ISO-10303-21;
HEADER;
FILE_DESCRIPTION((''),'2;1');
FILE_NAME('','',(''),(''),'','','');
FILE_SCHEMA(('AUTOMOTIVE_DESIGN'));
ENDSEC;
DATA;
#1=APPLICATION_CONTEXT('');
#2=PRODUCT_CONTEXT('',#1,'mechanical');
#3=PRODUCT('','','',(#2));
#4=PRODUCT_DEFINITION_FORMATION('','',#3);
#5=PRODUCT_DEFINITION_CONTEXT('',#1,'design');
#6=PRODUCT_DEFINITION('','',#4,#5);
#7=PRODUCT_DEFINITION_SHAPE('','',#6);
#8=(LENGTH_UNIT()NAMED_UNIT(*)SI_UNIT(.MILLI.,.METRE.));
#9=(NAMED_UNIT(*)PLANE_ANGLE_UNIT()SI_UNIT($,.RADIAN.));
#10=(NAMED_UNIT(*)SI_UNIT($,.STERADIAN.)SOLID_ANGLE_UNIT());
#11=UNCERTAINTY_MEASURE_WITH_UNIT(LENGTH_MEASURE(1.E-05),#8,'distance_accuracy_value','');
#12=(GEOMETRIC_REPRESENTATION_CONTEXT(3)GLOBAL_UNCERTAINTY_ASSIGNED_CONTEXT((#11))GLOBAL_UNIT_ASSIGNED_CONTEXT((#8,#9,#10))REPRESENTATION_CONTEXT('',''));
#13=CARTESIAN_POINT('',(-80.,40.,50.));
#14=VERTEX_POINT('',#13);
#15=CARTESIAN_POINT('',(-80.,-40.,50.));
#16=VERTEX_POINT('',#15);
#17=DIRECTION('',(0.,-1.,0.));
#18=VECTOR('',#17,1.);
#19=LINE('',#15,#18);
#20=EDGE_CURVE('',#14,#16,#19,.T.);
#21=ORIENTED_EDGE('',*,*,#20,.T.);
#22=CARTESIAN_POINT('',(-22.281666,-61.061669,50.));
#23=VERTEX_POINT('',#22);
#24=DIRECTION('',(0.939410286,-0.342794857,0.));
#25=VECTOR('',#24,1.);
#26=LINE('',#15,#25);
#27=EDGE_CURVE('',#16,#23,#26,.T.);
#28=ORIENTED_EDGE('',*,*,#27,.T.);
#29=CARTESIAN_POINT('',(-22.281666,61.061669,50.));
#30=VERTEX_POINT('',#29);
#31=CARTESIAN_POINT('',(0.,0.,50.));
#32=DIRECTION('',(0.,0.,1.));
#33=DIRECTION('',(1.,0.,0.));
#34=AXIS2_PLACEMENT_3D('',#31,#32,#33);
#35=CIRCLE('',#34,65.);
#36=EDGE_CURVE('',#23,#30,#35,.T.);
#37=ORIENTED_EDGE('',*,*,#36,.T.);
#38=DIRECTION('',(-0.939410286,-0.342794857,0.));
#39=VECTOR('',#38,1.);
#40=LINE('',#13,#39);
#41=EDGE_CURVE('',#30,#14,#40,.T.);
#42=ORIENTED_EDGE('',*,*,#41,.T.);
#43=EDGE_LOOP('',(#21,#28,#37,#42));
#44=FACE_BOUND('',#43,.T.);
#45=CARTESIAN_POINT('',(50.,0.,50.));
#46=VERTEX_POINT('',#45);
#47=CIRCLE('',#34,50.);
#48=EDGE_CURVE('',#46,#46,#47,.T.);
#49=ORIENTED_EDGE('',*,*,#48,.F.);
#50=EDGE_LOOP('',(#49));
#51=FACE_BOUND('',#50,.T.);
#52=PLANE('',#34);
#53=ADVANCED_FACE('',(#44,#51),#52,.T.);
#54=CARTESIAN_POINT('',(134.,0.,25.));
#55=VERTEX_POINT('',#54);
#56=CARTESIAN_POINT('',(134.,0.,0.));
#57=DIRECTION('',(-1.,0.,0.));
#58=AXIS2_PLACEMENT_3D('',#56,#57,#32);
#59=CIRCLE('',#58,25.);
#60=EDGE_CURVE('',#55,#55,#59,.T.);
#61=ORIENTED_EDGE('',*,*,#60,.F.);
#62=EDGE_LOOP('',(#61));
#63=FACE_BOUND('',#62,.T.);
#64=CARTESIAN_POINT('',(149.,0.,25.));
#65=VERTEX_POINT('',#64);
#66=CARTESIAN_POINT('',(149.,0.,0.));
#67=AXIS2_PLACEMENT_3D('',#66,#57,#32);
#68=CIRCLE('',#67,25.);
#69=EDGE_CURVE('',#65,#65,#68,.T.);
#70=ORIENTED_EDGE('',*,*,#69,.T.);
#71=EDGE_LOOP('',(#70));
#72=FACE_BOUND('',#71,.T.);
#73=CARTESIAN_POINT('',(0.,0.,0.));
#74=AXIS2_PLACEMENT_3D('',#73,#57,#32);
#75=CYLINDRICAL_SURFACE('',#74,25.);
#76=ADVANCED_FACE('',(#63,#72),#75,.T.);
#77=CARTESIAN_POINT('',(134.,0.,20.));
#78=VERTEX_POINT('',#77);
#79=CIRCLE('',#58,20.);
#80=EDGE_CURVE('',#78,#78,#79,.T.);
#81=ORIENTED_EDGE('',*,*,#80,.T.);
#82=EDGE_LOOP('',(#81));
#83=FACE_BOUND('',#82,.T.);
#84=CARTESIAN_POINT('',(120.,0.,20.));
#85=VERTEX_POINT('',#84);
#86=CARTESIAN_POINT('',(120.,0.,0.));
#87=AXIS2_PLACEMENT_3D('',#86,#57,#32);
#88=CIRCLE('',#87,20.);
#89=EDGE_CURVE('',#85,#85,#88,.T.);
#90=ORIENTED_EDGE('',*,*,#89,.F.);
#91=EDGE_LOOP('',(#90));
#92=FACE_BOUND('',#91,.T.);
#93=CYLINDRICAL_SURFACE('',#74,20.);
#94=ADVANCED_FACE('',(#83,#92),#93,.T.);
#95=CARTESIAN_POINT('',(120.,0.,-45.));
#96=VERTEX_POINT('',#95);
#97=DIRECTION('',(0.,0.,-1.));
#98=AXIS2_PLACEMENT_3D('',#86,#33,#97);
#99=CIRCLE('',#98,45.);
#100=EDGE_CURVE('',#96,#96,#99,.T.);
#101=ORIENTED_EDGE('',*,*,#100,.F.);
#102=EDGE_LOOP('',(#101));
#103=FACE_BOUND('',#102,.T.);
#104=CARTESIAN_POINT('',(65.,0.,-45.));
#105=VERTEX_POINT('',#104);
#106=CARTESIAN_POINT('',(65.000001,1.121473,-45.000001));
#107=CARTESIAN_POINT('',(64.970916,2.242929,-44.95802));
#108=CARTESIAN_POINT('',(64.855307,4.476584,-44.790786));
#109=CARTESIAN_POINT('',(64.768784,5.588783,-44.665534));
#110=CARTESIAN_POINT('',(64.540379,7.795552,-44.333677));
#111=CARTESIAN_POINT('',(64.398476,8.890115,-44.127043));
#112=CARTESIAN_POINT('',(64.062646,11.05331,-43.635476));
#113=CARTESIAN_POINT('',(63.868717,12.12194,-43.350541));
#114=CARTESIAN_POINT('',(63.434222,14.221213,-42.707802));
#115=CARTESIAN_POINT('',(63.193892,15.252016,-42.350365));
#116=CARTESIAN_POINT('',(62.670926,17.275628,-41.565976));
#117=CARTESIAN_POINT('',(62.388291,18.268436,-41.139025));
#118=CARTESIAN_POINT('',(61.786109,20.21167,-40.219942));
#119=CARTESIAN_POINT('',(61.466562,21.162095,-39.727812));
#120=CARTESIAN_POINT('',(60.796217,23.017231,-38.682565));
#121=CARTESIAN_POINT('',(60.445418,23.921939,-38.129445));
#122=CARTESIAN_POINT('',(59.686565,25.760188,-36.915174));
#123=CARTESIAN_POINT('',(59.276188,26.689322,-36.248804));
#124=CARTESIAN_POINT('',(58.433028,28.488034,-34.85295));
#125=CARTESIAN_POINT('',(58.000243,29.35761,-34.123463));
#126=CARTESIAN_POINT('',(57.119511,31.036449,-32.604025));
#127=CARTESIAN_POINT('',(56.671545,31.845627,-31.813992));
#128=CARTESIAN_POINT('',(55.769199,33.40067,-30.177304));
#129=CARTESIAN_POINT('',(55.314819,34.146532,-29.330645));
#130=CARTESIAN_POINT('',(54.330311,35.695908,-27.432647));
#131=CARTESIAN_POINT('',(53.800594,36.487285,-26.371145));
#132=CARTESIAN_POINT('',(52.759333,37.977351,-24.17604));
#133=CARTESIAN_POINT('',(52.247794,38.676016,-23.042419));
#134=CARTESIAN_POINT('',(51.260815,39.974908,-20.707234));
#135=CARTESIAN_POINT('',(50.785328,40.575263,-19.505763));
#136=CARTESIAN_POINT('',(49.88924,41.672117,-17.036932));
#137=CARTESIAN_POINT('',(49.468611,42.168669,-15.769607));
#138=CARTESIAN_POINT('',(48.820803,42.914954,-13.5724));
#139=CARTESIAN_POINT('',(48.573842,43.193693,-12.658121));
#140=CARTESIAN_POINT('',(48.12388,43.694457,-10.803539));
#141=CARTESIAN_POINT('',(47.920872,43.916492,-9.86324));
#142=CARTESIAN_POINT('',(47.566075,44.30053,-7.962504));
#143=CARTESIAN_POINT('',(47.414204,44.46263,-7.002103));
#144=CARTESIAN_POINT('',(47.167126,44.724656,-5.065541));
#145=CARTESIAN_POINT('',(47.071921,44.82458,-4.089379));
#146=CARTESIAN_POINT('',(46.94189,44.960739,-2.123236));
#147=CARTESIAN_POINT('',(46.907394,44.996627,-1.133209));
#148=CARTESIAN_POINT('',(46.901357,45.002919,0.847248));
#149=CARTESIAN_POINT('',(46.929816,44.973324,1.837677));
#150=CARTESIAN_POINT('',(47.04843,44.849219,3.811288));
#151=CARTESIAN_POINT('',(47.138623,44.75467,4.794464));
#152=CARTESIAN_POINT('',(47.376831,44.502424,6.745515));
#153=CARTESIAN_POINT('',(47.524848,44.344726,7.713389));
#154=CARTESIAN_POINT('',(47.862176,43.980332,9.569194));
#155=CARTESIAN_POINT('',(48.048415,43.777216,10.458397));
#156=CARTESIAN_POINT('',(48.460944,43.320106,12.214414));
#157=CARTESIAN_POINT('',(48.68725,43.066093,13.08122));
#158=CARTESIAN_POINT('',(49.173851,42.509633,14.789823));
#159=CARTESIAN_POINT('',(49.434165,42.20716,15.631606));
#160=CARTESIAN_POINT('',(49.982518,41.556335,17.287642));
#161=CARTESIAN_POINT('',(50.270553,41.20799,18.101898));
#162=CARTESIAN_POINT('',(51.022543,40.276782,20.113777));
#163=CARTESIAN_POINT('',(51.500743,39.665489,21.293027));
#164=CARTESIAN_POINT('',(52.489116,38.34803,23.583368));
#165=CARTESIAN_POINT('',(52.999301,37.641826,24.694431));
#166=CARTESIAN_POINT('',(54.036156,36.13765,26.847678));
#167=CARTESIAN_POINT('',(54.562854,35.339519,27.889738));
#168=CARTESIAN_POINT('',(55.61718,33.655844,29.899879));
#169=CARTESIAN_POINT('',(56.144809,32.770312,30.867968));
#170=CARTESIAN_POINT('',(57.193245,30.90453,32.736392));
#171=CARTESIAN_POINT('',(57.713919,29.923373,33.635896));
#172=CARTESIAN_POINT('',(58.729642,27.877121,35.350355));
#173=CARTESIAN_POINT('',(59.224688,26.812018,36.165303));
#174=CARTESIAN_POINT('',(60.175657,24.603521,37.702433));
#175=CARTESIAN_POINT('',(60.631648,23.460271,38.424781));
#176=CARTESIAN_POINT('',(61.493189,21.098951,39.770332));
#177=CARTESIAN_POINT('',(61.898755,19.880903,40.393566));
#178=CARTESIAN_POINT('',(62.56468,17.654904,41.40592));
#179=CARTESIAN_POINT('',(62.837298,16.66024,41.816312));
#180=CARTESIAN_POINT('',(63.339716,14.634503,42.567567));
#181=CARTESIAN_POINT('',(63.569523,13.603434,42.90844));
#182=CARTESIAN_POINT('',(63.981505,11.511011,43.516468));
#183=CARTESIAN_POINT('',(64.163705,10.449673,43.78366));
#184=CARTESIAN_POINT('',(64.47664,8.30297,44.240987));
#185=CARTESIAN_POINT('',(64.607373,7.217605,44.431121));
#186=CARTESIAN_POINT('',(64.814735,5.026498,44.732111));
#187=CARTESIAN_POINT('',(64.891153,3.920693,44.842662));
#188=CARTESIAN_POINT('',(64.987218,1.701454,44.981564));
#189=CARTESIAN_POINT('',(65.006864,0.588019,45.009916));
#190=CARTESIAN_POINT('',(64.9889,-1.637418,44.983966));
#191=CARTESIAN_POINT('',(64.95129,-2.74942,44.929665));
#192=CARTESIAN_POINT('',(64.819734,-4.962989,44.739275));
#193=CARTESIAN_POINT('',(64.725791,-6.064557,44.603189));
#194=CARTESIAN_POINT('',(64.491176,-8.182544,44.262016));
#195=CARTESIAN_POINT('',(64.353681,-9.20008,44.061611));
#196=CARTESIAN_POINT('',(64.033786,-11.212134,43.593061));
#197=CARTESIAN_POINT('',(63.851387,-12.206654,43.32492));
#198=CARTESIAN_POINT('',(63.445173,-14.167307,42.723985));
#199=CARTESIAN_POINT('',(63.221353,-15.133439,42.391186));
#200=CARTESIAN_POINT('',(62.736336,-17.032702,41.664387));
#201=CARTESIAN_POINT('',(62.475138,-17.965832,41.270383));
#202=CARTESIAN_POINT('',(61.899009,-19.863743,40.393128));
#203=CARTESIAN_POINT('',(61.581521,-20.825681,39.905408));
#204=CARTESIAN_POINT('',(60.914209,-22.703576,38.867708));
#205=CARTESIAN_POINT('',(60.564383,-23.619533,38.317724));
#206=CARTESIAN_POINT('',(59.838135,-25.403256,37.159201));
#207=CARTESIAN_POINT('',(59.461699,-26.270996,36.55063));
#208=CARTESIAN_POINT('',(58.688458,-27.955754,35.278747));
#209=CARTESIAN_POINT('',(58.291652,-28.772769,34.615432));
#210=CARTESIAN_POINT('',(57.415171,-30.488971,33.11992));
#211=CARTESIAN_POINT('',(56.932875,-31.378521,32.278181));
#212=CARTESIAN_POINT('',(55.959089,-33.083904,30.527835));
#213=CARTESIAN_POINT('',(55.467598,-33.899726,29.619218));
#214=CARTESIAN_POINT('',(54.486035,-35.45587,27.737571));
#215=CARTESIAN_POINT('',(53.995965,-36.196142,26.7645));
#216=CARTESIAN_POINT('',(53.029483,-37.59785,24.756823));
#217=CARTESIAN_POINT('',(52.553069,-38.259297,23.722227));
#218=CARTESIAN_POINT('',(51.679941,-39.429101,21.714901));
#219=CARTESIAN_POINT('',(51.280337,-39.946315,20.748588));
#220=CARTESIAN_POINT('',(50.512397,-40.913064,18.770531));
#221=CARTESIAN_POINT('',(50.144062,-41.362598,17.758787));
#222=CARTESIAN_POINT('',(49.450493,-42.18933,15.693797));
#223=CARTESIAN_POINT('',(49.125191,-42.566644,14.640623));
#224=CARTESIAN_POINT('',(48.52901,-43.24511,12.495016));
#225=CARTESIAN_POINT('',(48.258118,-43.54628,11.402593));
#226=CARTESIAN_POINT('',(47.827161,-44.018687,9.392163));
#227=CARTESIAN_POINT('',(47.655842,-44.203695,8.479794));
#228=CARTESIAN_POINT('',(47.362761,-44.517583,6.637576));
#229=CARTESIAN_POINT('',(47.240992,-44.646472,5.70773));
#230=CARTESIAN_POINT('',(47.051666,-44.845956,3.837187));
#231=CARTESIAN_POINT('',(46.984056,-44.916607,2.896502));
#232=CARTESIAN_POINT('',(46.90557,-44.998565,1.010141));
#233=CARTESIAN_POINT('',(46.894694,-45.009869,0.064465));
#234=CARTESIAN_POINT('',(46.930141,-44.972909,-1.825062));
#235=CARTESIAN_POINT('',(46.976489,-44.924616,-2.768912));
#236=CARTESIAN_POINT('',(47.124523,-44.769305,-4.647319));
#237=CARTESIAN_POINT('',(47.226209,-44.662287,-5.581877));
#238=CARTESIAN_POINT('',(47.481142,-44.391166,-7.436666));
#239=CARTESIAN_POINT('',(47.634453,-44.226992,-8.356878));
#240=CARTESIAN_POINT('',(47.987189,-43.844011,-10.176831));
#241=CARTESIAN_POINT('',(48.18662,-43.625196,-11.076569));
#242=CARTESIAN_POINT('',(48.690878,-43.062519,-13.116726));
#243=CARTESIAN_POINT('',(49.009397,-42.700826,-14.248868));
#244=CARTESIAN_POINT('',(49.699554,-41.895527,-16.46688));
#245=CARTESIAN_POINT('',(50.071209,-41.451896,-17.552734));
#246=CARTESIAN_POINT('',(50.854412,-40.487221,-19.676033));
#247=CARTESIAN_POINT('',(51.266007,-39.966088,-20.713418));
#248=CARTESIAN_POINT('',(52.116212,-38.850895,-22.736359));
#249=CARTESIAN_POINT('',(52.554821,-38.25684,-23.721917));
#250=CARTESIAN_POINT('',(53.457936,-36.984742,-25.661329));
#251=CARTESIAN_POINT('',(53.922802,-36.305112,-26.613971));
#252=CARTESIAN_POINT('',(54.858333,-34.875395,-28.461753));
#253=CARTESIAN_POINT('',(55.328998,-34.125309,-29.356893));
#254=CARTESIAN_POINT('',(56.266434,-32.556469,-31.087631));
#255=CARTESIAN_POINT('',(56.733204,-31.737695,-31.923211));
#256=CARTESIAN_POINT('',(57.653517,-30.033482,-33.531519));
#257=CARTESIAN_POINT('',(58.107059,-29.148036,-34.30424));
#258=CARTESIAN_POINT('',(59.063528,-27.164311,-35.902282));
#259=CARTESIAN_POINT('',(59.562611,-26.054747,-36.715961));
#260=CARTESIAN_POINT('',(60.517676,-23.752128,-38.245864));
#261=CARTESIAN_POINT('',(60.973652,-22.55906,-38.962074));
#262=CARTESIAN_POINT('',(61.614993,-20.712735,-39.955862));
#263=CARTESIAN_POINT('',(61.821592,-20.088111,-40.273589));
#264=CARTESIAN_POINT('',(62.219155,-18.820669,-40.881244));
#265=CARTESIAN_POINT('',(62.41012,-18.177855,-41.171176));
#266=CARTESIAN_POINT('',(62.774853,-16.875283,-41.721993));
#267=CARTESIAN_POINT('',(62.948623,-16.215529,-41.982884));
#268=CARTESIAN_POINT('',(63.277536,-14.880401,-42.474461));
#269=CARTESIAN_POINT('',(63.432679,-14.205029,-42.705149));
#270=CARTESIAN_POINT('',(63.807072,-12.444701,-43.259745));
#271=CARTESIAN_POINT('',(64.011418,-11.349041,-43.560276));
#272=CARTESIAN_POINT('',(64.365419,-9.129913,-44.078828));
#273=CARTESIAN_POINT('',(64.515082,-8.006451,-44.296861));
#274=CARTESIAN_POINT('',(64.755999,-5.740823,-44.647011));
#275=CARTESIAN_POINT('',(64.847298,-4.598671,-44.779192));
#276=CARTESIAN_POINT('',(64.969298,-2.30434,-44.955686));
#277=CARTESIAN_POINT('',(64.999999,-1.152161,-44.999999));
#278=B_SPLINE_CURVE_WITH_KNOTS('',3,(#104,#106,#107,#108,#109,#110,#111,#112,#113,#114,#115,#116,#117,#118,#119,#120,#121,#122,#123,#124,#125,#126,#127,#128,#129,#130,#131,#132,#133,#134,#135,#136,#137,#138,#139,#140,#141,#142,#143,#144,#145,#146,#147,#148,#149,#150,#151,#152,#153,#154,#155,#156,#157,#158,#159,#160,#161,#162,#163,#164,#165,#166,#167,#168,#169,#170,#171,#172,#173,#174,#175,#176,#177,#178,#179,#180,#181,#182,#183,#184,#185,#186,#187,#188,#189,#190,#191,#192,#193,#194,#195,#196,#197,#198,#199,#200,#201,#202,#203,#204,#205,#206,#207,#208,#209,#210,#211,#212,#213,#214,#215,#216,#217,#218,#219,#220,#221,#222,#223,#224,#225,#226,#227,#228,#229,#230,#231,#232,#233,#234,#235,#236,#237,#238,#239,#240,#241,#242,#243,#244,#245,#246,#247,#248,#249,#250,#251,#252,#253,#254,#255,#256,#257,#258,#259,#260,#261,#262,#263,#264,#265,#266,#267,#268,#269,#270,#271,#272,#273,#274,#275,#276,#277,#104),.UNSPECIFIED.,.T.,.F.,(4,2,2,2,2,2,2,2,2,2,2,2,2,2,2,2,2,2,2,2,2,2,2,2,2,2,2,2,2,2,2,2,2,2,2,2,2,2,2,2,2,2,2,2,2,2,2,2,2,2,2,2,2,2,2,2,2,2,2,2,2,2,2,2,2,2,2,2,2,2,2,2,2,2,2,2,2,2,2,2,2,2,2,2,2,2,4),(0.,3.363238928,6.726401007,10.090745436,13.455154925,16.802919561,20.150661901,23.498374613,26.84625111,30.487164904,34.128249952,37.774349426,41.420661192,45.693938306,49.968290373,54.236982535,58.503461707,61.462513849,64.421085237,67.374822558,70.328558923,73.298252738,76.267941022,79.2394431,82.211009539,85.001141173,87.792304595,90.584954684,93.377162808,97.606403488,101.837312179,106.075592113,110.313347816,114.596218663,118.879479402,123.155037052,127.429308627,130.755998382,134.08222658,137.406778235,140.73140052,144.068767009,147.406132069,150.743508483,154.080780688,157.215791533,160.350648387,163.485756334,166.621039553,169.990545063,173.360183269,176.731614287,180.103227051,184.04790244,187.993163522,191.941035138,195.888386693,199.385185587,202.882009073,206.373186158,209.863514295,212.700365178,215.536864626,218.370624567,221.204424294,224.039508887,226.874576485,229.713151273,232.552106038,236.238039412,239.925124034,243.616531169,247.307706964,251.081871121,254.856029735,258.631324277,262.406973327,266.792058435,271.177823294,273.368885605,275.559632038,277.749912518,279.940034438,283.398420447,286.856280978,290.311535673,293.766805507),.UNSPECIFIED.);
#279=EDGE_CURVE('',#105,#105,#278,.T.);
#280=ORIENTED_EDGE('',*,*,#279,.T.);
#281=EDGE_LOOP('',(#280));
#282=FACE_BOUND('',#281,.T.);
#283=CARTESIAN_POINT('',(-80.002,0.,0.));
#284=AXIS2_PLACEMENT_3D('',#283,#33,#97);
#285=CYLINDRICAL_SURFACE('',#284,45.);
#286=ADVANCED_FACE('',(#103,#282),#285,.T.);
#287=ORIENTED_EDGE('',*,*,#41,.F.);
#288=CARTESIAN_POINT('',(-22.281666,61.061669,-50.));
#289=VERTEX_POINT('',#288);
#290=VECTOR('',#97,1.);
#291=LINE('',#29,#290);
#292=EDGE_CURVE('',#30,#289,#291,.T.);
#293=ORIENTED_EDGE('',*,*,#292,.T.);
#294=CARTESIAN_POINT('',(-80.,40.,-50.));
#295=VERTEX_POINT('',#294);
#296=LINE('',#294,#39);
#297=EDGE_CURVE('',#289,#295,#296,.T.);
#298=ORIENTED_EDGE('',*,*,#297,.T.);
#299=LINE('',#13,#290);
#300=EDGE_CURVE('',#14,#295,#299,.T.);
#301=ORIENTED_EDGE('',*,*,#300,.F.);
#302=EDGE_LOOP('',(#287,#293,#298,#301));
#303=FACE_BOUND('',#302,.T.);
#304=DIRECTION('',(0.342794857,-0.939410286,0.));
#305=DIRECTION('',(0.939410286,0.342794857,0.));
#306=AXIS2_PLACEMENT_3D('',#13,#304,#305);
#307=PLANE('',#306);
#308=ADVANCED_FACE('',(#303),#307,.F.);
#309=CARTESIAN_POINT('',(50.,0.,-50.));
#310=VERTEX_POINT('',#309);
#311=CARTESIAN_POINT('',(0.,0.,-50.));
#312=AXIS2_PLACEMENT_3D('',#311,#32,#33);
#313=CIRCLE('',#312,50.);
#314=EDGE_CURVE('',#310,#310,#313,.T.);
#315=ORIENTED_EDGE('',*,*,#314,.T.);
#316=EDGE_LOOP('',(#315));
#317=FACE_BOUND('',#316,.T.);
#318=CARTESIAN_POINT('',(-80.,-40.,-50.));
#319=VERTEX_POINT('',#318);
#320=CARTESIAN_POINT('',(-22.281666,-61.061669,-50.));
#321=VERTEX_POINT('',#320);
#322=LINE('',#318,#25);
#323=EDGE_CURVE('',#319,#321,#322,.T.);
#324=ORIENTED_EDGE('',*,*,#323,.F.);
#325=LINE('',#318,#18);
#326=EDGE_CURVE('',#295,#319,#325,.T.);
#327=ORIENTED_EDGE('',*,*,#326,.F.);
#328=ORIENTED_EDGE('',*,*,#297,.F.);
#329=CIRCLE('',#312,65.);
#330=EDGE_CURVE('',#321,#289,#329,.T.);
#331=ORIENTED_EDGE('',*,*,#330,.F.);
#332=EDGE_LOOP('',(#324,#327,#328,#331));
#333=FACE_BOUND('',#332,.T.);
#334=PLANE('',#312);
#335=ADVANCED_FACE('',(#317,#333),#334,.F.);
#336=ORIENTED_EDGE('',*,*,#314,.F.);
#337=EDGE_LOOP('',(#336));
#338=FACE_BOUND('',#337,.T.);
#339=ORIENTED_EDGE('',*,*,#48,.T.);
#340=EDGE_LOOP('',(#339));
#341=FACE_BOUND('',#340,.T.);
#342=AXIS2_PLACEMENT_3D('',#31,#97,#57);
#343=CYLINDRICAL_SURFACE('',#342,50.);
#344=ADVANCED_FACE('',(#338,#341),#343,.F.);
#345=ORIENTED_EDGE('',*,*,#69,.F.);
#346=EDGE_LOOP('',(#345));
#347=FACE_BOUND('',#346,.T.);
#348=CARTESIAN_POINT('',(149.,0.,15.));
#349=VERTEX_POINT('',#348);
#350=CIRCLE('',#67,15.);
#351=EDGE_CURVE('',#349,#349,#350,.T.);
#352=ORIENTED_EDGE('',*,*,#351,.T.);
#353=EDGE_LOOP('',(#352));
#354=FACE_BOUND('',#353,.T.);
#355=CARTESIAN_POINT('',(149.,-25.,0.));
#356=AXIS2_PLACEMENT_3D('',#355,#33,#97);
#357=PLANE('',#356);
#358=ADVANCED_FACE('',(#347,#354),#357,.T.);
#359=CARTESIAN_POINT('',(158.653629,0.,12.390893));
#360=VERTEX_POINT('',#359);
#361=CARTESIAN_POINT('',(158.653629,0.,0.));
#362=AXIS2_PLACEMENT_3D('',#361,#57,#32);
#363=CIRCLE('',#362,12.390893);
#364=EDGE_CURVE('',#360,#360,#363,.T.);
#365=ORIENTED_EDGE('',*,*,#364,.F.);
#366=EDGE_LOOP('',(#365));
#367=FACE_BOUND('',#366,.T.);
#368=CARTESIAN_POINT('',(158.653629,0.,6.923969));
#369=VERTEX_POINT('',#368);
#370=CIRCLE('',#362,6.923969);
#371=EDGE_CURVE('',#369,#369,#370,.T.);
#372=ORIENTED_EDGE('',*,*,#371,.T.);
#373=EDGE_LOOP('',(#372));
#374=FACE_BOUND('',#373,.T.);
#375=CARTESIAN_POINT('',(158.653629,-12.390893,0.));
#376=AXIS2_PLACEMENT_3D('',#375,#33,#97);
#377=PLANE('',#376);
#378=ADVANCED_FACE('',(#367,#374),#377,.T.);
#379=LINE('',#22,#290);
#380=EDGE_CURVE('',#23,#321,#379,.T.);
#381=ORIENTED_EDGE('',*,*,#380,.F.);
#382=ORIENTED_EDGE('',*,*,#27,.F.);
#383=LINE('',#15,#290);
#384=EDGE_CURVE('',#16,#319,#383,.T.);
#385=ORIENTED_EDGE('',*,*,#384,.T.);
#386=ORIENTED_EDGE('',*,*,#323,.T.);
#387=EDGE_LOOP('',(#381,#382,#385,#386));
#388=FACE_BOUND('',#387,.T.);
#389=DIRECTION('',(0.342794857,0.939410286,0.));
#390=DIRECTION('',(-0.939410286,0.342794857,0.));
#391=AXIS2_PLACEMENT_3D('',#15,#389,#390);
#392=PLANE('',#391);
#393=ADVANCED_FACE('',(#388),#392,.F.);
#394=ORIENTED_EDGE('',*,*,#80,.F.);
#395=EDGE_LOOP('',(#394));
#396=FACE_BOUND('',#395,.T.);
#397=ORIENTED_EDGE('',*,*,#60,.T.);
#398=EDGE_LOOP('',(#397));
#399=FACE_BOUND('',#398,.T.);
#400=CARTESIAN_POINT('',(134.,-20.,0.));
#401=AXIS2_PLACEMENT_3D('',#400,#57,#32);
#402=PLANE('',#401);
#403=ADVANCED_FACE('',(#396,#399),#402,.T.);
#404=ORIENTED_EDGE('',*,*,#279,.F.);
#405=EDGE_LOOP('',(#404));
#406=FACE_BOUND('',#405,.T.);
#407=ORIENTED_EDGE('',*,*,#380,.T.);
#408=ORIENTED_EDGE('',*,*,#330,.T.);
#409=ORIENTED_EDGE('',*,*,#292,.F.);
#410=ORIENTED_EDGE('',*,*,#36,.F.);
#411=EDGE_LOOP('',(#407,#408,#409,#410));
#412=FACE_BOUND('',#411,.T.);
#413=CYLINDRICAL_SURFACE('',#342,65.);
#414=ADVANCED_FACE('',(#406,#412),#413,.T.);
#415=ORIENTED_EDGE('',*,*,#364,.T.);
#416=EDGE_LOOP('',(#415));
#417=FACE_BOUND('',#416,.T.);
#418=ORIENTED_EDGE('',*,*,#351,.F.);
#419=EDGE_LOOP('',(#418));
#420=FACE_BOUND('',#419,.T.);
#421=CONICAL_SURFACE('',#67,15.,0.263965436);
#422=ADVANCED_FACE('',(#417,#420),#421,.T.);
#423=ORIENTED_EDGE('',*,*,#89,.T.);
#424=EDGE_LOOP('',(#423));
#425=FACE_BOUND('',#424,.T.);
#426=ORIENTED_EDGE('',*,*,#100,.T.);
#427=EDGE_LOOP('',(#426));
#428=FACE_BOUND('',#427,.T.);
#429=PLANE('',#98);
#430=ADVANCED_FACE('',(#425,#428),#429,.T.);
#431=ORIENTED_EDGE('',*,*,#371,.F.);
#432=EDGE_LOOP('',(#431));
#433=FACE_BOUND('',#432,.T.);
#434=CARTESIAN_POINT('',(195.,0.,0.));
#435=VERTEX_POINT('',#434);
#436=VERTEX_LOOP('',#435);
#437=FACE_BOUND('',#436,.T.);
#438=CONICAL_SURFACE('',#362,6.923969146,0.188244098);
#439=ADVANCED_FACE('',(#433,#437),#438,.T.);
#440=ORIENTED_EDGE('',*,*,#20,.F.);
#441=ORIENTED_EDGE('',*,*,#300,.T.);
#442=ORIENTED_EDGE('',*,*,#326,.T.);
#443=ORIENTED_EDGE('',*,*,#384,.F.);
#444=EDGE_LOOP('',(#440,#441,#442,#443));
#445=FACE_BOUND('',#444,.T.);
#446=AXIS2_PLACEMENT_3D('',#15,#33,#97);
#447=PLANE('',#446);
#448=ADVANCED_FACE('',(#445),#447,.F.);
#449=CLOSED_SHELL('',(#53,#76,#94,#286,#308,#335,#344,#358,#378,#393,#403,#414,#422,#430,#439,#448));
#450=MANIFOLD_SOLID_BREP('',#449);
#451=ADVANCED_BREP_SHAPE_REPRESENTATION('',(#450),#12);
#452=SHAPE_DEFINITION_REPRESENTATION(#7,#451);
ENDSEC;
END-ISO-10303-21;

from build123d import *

# Parameters (mm, degrees)
SKETCH1_R           = 50
BOSS_EXTRUDE1_DEPTH = 50
BOSS_EXTRUDE2_REACH = 202
SKETCH2_R           = 45


with BuildPart() as part:
    # Sketch1 → Boss-Extrude1 (new body, symmetric)
    with BuildSketch(Plane.XY):
        with BuildLine():
            Line((-80, -40), (-80, 40))
            Line((-80, 40), (-22.281665693, 61.061668614))
            ThreePointArc((-22.281665693, 61.061668614), (65, 0), (-22.281665693, -61.061668614))
            Line((-22.281665693, -61.061668614), (-80, -40))
        make_face()
        Circle(SKETCH1_R, mode=Mode.SUBTRACT)
    extrude(amount=BOSS_EXTRUDE1_DEPTH, both=True)

    # Sketch2 → Boss-Extrude2 (add, up to next)
    with BuildSketch(Plane(origin=(120, 0, 0), x_dir=(0, 0, -1), z_dir=(1, 0, 0)), mode=Mode.PRIVATE) as boss_extrude2_sk1:
        Circle(SKETCH2_R)
    boss_extrude2_tool1 = extrude(boss_extrude2_sk1.sketch, amount=-BOSS_EXTRUDE2_REACH, mode=Mode.PRIVATE) - part.part
    add(boss_extrude2_tool1.solids().sort_by_distance((120, 0, 0))[0])

    # Sketch4 → Revolve1 (revolve)
    with BuildSketch(Plane.XY):
        Polygon((120, 0), (120, -20), (134, -20), (134, -25), (149, -25), (149, -15), (158.653629462, -12.390893217), (158.653629462, -6.923969146), (195, 0), align=None)
    revolve(axis=Axis((0, 0, 0), (1, 0, 0)))


solid = part.part
